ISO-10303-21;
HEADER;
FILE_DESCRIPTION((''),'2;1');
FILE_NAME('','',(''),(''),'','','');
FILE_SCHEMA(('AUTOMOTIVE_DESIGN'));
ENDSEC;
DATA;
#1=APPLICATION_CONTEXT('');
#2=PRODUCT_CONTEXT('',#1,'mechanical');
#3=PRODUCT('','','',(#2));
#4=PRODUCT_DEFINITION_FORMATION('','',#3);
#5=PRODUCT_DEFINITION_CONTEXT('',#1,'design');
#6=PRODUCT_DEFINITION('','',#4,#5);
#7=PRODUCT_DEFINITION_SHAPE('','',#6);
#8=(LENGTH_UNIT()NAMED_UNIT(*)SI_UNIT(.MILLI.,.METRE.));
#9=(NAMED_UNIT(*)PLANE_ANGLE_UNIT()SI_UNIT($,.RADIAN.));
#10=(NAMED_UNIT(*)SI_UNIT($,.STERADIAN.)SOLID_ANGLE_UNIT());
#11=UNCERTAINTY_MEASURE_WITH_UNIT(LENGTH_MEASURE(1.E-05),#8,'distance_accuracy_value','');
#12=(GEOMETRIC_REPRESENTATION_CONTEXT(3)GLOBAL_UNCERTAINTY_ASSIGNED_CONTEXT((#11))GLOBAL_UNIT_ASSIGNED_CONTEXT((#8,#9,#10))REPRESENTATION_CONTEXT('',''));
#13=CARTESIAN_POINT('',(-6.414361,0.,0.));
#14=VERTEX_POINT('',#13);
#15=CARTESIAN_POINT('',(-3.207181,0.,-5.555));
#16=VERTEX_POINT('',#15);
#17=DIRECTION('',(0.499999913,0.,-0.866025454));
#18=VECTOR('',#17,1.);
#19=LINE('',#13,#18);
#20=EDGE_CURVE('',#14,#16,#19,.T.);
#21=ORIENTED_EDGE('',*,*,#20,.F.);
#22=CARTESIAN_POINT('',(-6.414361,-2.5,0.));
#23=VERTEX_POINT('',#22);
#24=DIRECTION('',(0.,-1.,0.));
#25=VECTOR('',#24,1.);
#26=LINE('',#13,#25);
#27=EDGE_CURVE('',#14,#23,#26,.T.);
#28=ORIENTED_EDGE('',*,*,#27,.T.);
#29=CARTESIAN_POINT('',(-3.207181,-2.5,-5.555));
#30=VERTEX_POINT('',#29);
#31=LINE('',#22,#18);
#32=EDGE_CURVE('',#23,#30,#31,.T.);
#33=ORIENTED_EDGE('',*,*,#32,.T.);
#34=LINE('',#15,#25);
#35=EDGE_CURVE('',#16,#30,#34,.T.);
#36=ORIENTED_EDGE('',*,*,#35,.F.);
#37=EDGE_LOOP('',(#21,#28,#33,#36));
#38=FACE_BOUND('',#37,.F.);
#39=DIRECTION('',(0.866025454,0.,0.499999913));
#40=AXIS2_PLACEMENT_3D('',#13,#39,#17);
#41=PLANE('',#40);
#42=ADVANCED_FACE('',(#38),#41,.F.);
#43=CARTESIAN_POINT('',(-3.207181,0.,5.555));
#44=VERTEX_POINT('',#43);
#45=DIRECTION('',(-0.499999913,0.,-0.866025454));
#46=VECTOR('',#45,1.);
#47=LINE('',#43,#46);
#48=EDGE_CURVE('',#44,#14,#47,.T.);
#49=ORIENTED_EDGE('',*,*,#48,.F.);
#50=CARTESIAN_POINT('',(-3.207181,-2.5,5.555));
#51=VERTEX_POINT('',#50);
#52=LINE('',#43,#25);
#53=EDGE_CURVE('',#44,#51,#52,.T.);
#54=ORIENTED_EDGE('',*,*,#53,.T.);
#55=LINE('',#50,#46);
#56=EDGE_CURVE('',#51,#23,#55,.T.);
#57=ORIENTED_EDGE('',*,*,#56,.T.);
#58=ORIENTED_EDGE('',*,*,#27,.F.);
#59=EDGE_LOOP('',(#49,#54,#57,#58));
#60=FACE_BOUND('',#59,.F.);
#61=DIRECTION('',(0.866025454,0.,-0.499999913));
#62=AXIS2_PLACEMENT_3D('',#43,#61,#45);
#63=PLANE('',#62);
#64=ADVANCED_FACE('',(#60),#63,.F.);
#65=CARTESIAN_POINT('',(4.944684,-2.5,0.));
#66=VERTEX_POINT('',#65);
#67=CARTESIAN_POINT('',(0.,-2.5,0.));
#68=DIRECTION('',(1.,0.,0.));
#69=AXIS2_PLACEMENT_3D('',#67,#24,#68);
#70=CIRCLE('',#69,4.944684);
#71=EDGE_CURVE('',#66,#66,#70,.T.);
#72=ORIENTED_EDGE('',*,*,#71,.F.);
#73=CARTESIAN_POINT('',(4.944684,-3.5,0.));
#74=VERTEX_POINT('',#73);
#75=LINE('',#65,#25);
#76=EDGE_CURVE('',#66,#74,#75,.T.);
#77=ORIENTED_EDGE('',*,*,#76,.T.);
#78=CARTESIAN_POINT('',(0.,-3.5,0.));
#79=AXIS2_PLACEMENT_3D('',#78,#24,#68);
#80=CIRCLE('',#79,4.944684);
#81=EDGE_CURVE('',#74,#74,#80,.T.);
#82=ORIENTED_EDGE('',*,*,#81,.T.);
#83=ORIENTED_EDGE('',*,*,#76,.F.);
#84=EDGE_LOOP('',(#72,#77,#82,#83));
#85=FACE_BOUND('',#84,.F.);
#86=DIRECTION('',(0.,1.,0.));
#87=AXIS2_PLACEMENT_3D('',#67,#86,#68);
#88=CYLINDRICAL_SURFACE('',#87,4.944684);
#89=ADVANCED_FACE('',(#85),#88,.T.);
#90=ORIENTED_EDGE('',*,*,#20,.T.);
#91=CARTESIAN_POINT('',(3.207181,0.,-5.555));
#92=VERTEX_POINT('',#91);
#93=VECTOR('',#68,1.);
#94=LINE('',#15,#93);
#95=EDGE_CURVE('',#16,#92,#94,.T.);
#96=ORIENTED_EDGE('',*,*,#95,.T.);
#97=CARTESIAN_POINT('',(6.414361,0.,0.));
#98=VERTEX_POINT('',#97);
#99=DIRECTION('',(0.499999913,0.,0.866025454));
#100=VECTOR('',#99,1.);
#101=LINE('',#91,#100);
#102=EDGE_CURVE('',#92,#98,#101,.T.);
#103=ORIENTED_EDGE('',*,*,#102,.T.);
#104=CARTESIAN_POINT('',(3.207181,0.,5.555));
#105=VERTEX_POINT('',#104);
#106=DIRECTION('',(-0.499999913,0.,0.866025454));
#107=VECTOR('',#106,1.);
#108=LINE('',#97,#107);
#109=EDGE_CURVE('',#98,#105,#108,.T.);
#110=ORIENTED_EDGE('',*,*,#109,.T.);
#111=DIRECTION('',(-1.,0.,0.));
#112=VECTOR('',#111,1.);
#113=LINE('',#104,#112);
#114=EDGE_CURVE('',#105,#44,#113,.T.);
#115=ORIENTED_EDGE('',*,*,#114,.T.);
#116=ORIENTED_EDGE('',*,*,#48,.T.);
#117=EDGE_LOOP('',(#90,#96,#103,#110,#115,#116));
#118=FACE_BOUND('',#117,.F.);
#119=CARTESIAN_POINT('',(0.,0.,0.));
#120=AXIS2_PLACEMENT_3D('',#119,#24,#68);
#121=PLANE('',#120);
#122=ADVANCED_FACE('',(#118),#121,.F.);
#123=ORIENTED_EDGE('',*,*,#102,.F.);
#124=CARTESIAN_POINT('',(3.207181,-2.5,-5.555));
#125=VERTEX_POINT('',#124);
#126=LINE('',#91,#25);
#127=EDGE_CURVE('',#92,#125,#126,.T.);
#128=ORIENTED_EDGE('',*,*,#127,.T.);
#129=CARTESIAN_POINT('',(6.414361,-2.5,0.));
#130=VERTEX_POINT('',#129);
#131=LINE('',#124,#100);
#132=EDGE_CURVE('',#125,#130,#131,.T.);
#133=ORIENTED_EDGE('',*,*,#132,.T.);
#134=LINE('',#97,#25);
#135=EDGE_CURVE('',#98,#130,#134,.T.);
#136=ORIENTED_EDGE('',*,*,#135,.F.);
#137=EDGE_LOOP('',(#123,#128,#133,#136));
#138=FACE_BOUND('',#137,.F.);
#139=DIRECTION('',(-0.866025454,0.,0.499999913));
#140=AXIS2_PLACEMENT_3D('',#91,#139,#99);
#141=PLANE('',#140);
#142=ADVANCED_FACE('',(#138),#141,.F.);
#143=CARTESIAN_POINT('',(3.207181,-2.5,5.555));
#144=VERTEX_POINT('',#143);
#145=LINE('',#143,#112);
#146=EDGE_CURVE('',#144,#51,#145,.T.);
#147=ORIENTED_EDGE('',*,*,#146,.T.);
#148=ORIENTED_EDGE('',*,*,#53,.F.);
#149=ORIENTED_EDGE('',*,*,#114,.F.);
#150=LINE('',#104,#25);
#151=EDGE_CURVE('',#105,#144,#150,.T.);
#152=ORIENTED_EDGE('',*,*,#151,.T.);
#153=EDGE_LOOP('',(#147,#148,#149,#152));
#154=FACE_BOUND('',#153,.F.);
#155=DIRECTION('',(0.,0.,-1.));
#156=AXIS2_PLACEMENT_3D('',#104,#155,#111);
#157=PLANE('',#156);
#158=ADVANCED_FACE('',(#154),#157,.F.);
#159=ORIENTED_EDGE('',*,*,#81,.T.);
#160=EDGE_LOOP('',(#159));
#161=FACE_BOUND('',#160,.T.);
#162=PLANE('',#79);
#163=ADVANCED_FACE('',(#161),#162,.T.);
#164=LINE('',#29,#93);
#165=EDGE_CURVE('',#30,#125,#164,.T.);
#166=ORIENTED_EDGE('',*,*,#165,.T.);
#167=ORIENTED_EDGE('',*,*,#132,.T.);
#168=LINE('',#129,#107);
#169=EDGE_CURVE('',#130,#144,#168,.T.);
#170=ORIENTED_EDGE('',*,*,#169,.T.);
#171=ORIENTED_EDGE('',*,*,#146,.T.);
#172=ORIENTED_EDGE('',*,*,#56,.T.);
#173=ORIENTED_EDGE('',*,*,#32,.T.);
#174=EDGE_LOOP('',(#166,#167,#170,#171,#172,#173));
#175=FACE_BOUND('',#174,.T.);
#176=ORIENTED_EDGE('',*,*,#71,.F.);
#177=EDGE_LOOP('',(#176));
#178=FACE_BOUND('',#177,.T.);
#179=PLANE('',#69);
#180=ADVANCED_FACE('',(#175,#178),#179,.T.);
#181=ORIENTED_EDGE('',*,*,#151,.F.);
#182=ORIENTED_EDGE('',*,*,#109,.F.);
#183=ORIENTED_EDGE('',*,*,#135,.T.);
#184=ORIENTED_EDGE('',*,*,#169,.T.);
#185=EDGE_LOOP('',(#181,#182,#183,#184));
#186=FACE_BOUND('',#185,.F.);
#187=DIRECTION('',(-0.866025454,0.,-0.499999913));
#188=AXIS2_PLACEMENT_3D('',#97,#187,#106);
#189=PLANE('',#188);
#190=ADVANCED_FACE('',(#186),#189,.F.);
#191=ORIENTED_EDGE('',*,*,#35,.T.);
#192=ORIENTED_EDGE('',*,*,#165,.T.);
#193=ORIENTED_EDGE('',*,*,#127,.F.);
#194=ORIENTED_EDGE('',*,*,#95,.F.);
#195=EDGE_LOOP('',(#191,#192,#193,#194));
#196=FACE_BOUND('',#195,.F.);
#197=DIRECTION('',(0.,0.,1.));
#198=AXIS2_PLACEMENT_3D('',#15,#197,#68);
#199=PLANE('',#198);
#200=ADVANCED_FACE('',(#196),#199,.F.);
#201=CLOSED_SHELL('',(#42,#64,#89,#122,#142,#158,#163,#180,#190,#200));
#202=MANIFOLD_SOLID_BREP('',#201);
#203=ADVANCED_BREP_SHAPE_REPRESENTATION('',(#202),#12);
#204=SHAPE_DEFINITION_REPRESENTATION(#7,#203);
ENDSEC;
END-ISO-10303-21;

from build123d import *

# Parameters (mm, degrees)
F0_R     = 5
F1_DEPTH = 2.5
F2_R     = 4.944684
F3_DEPTH = 1


with BuildPart() as f1:
    # F0 (on Front) → F1 (new body)
    with BuildSketch(Plane.XZ):
        Polygon((-3.207181, -5.555), (3.207181, -5.555), (6.414361, 0), (3.207181, 5.555), (-3.207181, 5.555), (-6.414361, 0), align=None)
        Circle(F0_R, mode=Mode.SUBTRACT)
        Circle(F0_R)
    extrude(amount=F1_DEPTH)

    # F2 (on face) → F3 (join)
    with BuildSketch(Plane.XZ.offset(2.5)):
        Circle(F2_R)
    extrude(amount=F3_DEPTH)


solid = f1.part
